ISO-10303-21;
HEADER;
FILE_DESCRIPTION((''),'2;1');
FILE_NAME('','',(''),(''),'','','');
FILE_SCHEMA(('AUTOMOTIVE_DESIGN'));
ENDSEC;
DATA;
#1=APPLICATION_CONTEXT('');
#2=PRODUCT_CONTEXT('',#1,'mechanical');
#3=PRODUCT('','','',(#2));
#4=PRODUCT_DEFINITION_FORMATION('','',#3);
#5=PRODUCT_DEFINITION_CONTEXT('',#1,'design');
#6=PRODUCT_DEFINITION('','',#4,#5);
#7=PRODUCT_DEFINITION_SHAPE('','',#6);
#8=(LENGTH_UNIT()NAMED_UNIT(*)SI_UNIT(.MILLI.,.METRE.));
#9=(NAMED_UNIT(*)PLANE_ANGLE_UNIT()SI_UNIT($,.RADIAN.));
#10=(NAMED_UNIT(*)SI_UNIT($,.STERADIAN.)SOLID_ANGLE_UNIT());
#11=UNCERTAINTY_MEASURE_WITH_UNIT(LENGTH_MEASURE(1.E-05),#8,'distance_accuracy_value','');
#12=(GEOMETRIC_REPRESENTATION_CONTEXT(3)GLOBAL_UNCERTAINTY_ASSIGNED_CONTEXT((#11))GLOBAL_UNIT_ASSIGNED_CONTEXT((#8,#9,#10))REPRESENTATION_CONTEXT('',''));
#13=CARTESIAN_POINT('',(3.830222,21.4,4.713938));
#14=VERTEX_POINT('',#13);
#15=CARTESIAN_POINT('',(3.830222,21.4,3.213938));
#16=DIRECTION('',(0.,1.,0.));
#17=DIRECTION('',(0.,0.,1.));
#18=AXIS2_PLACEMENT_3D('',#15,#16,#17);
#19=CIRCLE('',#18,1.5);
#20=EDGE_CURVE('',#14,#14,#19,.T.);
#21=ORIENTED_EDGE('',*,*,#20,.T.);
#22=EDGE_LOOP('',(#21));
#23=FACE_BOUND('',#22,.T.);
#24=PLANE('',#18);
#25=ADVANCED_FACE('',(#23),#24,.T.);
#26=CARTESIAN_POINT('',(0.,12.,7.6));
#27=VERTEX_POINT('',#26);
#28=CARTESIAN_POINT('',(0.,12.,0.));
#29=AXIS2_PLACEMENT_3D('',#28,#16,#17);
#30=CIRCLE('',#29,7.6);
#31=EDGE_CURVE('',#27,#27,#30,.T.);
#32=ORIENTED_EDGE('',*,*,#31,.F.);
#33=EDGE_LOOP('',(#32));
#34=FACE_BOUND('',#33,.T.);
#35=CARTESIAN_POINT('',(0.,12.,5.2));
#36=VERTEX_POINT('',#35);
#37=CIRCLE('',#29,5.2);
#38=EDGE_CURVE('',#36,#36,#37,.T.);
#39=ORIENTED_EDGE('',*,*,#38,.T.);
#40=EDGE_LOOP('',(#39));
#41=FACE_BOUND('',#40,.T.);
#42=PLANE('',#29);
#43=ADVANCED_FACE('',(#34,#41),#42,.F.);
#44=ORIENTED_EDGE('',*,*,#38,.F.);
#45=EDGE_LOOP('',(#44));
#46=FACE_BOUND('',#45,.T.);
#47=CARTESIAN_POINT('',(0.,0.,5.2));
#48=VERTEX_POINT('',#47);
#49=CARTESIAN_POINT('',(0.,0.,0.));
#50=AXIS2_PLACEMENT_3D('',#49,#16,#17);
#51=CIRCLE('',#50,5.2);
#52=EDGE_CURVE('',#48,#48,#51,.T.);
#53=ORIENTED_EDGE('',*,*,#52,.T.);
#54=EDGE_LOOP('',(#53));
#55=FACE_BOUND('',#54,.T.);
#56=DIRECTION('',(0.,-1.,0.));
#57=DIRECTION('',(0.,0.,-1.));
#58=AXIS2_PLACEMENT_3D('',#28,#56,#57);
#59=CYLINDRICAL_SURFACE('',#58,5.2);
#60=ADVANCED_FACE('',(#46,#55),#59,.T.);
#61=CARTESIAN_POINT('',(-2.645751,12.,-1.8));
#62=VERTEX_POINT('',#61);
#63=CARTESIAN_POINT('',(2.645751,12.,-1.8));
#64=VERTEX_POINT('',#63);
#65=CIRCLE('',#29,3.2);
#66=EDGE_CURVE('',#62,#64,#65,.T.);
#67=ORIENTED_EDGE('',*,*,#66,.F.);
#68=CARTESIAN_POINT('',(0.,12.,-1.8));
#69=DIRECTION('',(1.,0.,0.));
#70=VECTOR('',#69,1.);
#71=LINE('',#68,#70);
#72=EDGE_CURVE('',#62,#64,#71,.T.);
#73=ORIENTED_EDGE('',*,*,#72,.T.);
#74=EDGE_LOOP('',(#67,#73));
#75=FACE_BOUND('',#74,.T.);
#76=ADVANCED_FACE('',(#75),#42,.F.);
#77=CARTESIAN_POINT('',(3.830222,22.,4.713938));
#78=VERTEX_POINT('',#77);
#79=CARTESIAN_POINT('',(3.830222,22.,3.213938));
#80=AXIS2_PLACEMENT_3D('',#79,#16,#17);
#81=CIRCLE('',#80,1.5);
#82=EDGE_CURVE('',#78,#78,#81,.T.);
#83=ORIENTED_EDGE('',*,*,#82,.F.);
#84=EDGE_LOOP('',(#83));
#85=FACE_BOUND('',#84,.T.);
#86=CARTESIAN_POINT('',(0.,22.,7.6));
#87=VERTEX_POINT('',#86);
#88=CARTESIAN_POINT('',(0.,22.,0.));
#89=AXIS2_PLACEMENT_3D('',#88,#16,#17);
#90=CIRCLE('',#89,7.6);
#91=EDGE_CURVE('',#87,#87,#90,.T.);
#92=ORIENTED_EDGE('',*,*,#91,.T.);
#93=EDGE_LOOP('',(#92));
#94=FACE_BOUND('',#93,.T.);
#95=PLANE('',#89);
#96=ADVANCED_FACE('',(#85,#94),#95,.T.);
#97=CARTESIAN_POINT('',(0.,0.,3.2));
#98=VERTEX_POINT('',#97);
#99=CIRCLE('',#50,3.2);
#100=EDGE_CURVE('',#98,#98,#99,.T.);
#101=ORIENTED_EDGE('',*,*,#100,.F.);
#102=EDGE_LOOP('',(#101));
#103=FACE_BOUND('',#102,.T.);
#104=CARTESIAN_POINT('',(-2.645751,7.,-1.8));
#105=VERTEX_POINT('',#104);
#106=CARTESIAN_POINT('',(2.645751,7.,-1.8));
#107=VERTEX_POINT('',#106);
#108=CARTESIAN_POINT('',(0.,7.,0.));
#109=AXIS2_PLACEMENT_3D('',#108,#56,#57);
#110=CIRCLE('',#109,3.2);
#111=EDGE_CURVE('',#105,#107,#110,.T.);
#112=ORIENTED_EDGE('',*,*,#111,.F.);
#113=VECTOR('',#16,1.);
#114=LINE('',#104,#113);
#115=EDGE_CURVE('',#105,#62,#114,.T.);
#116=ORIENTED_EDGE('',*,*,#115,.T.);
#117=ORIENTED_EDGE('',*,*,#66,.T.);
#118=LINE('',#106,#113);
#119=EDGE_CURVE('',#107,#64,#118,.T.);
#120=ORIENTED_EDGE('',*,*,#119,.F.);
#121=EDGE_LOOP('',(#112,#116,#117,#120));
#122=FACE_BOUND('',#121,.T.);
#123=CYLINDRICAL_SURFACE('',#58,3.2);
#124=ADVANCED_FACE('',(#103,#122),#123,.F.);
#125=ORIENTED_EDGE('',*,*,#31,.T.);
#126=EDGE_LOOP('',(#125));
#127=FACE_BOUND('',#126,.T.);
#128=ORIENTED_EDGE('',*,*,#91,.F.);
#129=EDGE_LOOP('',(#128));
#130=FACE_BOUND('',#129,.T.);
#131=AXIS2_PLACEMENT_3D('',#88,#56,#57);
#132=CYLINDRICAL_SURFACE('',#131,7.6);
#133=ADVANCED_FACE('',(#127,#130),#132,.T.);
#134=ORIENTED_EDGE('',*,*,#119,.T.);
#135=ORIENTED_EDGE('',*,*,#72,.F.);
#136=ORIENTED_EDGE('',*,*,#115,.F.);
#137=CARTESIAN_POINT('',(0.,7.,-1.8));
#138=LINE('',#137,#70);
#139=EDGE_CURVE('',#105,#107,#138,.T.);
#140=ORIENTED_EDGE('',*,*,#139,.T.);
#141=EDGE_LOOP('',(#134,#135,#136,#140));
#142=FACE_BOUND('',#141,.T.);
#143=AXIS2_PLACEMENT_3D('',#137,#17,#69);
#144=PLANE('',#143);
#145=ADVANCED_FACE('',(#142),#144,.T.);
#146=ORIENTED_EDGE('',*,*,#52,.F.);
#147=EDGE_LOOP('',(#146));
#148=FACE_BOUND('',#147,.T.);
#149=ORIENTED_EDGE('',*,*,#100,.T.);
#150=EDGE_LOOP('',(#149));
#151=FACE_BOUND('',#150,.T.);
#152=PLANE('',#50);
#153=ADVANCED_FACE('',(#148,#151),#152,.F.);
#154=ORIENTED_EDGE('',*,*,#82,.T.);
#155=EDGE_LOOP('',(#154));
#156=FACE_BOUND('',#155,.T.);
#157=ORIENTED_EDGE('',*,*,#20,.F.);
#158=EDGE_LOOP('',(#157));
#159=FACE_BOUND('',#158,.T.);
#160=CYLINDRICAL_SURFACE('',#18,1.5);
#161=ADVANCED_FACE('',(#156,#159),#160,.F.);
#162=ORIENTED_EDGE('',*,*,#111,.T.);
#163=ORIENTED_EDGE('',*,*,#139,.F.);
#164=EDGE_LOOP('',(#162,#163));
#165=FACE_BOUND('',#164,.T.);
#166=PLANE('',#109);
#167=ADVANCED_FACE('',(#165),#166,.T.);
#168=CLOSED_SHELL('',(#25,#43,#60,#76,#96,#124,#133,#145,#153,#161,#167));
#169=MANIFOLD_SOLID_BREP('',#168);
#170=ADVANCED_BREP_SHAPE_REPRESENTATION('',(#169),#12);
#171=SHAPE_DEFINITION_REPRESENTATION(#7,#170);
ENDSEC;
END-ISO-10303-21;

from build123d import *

# Parameters (mm, degrees)
SKETCH1_R           = 5.2
SKETCH1_R_2         = 3.2
BOSS_EXTRUDE1_DEPTH = 12
SKETCH2_R           = 7.6
BOSS_EXTRUDE2_DEPTH = 10
BOSS_EXTRUDE4_START = 5
BOSS_EXTRUDE4_DEPTH = 5
SKETCH5_R           = 1.5
CUT_EXTRUDE1_DEPTH  = 0.6


with BuildPart() as part:
    # Sketch1 → Boss-Extrude1 (new body)
    with BuildSketch(Plane(origin=(0, 0, 0), x_dir=(1, 0, 0), z_dir=(0, 1, 0))):
        with Locations(Location((0, 0, 0), (0, 0, 270))):
            Circle(SKETCH1_R)
        with Locations(Location((0, 0, 0), (0, 0, 270))):
            Circle(SKETCH1_R_2, mode=Mode.SUBTRACT)
    extrude(amount=BOSS_EXTRUDE1_DEPTH)

    # Sketch2 → Boss-Extrude2 (add)
    with BuildSketch(Plane(origin=(0, 12, 0), x_dir=(1, 0, 0), z_dir=(0, 1, 0))):
        with Locations(Location((0, 0, 0), (0, 0, 270))):
            Circle(SKETCH2_R)
    extrude(amount=BOSS_EXTRUDE2_DEPTH)

    # Sketch4 → Boss-Extrude4 (add)
    with BuildSketch(Plane.XZ.offset(-12).offset(BOSS_EXTRUDE4_START)):
        with BuildLine():
            Line((2.645751311, -1.8), (-2.645751311, -1.8))
            ThreePointArc((-2.645751311, -1.8), (0, -3.2), (2.645751311, -1.8))
        make_face()
    extrude(amount=-BOSS_EXTRUDE4_DEPTH)

    # Sketch5 → Cut-Extrude1 (cut)
    with BuildSketch(Plane(origin=(0, 22, 0), x_dir=(1, 0, 0), z_dir=(0, 1, 0))):
        with Locations(Location((3.830222216, -3.213938048, 0), (0, 0, 270))):
            Circle(SKETCH5_R)
    extrude(amount=-CUT_EXTRUDE1_DEPTH, mode=Mode.SUBTRACT)


solid = part.part
